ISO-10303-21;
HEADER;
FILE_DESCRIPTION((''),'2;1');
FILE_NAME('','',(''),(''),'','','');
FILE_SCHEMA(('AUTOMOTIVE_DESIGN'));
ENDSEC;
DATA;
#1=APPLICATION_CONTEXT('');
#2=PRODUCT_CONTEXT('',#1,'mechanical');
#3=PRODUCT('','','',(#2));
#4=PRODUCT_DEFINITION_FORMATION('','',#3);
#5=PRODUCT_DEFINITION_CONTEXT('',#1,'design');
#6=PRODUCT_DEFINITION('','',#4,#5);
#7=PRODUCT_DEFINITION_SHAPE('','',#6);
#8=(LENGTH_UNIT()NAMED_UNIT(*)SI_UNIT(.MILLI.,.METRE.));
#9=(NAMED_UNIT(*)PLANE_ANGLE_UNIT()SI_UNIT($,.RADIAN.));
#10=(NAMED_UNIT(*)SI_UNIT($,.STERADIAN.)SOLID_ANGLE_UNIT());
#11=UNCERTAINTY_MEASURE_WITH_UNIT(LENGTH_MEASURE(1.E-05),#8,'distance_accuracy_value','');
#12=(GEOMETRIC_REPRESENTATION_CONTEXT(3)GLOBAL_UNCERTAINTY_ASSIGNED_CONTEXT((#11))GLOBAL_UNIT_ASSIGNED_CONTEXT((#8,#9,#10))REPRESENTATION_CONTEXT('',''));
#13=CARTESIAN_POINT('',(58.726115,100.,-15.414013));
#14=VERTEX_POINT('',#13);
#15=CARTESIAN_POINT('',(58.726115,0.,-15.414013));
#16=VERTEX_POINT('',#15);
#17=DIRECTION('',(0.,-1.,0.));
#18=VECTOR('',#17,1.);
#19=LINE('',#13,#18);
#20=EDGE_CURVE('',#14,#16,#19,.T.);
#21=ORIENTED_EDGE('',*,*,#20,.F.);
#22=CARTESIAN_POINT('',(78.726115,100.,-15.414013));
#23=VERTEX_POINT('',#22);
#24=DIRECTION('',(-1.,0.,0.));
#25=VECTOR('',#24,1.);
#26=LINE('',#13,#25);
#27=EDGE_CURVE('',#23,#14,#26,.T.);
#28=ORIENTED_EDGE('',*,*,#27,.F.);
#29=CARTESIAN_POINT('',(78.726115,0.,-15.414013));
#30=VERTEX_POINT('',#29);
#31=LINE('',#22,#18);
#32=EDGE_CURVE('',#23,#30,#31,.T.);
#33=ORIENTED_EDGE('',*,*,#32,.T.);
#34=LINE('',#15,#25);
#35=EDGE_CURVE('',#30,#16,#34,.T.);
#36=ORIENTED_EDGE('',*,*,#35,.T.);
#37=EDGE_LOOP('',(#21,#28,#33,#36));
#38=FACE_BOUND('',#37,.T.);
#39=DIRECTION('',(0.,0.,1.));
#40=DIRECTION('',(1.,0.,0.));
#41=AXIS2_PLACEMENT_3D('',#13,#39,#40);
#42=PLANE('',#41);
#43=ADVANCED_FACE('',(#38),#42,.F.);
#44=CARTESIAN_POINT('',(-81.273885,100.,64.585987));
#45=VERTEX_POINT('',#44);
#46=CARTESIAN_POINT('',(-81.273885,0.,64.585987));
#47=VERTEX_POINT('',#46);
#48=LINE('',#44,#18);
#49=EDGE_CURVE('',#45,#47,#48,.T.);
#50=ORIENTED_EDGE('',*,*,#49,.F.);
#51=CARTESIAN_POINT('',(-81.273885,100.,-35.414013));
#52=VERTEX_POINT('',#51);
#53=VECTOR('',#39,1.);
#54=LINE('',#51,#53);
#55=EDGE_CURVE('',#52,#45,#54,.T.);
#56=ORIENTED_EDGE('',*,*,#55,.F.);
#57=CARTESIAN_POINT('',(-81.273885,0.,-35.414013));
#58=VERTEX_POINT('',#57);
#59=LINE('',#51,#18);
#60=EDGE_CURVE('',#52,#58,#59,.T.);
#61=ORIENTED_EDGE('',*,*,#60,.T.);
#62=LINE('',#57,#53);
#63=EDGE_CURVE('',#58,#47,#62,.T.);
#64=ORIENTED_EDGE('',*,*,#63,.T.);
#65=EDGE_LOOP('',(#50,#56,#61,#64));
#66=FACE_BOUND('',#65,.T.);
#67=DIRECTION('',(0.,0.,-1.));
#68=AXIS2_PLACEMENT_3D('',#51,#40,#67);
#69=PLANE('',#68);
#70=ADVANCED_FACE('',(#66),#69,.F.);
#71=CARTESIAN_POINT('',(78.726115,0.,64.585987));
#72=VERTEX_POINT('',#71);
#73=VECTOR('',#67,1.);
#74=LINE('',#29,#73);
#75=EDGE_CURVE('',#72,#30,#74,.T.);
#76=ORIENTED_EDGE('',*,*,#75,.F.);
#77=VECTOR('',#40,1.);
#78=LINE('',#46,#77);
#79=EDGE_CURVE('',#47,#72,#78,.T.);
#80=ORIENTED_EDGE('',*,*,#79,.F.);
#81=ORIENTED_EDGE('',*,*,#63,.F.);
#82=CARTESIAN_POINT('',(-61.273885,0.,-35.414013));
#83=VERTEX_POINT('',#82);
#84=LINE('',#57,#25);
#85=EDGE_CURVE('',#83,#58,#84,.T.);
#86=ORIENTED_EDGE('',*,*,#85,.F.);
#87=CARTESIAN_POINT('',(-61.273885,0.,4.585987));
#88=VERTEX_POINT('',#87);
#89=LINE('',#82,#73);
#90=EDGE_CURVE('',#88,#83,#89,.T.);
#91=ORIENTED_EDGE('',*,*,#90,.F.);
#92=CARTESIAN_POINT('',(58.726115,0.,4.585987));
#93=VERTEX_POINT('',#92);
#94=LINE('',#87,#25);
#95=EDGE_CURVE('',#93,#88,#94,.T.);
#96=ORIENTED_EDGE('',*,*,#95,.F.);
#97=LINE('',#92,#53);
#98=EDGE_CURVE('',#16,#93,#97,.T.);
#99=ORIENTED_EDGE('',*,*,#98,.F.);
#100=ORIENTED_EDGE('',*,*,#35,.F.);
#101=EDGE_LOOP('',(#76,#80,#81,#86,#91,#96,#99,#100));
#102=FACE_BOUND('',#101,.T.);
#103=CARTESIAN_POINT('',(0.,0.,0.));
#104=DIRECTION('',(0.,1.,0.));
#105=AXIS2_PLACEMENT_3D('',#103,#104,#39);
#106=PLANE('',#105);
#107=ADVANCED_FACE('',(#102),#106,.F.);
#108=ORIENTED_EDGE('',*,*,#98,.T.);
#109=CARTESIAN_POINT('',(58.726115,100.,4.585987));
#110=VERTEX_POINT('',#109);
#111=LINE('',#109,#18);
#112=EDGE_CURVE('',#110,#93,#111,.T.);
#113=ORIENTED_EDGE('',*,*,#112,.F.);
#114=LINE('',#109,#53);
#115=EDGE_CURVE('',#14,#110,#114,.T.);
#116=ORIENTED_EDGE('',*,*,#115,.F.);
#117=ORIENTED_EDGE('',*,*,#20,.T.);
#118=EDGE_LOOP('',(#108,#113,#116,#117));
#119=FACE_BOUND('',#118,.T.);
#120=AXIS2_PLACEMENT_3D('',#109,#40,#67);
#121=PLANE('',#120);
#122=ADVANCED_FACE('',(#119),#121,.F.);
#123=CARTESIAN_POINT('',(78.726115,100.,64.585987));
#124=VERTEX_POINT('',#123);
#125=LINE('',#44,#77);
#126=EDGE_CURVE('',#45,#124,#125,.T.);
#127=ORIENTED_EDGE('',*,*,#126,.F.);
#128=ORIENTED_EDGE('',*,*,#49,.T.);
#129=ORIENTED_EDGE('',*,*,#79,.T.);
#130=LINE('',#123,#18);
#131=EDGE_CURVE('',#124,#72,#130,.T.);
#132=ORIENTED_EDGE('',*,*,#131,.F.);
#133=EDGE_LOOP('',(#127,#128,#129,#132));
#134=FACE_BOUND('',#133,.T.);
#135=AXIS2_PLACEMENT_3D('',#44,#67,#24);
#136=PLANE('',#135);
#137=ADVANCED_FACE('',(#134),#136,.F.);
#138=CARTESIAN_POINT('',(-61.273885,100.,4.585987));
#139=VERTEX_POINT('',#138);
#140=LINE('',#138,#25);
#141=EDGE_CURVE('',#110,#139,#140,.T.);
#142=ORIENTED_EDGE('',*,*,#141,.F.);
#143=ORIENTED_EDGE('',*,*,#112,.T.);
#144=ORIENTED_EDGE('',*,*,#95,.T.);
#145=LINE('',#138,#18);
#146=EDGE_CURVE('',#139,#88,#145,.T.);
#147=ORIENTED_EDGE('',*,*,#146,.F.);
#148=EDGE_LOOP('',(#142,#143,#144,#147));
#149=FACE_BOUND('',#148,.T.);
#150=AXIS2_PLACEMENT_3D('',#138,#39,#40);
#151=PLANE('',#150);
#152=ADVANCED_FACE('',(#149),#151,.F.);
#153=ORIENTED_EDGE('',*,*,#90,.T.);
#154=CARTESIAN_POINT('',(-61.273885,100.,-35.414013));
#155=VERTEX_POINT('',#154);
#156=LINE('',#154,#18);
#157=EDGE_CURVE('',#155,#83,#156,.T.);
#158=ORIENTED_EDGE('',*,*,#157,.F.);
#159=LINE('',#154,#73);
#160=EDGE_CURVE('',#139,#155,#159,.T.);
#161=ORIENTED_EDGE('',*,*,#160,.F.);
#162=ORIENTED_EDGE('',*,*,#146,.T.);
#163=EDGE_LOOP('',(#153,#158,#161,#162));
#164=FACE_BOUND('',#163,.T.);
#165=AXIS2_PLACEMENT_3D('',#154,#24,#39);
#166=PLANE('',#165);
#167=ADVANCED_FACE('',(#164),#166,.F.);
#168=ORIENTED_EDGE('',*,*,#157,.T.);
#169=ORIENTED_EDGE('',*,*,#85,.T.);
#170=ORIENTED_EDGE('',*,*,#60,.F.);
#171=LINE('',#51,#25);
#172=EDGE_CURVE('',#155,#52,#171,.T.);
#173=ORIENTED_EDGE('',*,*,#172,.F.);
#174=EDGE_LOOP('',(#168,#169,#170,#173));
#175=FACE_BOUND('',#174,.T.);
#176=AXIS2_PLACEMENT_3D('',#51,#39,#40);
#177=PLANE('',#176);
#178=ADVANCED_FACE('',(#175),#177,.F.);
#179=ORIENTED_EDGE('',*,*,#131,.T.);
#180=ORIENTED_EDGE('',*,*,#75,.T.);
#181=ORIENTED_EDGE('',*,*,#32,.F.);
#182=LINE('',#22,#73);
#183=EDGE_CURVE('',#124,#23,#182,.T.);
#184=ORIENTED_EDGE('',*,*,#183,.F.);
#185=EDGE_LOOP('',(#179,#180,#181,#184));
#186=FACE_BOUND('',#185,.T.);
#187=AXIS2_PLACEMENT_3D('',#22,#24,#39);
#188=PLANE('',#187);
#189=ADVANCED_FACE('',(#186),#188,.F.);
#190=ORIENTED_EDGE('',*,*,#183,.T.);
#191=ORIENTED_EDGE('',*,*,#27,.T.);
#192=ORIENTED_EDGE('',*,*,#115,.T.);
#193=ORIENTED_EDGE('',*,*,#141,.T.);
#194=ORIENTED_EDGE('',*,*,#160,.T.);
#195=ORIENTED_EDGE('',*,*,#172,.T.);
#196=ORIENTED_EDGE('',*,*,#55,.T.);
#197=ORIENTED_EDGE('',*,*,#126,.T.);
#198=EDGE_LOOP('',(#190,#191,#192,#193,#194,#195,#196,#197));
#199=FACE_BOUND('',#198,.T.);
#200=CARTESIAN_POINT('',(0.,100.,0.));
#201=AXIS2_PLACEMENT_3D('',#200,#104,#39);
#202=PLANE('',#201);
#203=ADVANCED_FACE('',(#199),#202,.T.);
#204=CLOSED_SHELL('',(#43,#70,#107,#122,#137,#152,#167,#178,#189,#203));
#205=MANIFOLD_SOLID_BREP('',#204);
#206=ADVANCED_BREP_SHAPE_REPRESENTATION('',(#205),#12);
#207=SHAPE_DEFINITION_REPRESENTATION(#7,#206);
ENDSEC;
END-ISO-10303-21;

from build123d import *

# Parameters (mm, degrees)
BOSS_EXTRUDE1_DEPTH = 100


with BuildPart() as part:
    # Sketch1 → Boss-Extrude1 (new body)
    with BuildSketch(Plane(origin=(0, 0, 0), x_dir=(1, 0, 0), z_dir=(0, 1, 0))):
        Polygon((-81.27388535, 35.414012739), (-61.27388535, 35.414012739), (-61.27388535, -4.585987261), (58.72611465, -4.585987261), (58.72611465, 15.414012739), (78.72611465, 15.414012739), (78.72611465, -64.585987261), (-81.27388535, -64.585987261), align=None)
    extrude(amount=BOSS_EXTRUDE1_DEPTH)


solid = part.part
